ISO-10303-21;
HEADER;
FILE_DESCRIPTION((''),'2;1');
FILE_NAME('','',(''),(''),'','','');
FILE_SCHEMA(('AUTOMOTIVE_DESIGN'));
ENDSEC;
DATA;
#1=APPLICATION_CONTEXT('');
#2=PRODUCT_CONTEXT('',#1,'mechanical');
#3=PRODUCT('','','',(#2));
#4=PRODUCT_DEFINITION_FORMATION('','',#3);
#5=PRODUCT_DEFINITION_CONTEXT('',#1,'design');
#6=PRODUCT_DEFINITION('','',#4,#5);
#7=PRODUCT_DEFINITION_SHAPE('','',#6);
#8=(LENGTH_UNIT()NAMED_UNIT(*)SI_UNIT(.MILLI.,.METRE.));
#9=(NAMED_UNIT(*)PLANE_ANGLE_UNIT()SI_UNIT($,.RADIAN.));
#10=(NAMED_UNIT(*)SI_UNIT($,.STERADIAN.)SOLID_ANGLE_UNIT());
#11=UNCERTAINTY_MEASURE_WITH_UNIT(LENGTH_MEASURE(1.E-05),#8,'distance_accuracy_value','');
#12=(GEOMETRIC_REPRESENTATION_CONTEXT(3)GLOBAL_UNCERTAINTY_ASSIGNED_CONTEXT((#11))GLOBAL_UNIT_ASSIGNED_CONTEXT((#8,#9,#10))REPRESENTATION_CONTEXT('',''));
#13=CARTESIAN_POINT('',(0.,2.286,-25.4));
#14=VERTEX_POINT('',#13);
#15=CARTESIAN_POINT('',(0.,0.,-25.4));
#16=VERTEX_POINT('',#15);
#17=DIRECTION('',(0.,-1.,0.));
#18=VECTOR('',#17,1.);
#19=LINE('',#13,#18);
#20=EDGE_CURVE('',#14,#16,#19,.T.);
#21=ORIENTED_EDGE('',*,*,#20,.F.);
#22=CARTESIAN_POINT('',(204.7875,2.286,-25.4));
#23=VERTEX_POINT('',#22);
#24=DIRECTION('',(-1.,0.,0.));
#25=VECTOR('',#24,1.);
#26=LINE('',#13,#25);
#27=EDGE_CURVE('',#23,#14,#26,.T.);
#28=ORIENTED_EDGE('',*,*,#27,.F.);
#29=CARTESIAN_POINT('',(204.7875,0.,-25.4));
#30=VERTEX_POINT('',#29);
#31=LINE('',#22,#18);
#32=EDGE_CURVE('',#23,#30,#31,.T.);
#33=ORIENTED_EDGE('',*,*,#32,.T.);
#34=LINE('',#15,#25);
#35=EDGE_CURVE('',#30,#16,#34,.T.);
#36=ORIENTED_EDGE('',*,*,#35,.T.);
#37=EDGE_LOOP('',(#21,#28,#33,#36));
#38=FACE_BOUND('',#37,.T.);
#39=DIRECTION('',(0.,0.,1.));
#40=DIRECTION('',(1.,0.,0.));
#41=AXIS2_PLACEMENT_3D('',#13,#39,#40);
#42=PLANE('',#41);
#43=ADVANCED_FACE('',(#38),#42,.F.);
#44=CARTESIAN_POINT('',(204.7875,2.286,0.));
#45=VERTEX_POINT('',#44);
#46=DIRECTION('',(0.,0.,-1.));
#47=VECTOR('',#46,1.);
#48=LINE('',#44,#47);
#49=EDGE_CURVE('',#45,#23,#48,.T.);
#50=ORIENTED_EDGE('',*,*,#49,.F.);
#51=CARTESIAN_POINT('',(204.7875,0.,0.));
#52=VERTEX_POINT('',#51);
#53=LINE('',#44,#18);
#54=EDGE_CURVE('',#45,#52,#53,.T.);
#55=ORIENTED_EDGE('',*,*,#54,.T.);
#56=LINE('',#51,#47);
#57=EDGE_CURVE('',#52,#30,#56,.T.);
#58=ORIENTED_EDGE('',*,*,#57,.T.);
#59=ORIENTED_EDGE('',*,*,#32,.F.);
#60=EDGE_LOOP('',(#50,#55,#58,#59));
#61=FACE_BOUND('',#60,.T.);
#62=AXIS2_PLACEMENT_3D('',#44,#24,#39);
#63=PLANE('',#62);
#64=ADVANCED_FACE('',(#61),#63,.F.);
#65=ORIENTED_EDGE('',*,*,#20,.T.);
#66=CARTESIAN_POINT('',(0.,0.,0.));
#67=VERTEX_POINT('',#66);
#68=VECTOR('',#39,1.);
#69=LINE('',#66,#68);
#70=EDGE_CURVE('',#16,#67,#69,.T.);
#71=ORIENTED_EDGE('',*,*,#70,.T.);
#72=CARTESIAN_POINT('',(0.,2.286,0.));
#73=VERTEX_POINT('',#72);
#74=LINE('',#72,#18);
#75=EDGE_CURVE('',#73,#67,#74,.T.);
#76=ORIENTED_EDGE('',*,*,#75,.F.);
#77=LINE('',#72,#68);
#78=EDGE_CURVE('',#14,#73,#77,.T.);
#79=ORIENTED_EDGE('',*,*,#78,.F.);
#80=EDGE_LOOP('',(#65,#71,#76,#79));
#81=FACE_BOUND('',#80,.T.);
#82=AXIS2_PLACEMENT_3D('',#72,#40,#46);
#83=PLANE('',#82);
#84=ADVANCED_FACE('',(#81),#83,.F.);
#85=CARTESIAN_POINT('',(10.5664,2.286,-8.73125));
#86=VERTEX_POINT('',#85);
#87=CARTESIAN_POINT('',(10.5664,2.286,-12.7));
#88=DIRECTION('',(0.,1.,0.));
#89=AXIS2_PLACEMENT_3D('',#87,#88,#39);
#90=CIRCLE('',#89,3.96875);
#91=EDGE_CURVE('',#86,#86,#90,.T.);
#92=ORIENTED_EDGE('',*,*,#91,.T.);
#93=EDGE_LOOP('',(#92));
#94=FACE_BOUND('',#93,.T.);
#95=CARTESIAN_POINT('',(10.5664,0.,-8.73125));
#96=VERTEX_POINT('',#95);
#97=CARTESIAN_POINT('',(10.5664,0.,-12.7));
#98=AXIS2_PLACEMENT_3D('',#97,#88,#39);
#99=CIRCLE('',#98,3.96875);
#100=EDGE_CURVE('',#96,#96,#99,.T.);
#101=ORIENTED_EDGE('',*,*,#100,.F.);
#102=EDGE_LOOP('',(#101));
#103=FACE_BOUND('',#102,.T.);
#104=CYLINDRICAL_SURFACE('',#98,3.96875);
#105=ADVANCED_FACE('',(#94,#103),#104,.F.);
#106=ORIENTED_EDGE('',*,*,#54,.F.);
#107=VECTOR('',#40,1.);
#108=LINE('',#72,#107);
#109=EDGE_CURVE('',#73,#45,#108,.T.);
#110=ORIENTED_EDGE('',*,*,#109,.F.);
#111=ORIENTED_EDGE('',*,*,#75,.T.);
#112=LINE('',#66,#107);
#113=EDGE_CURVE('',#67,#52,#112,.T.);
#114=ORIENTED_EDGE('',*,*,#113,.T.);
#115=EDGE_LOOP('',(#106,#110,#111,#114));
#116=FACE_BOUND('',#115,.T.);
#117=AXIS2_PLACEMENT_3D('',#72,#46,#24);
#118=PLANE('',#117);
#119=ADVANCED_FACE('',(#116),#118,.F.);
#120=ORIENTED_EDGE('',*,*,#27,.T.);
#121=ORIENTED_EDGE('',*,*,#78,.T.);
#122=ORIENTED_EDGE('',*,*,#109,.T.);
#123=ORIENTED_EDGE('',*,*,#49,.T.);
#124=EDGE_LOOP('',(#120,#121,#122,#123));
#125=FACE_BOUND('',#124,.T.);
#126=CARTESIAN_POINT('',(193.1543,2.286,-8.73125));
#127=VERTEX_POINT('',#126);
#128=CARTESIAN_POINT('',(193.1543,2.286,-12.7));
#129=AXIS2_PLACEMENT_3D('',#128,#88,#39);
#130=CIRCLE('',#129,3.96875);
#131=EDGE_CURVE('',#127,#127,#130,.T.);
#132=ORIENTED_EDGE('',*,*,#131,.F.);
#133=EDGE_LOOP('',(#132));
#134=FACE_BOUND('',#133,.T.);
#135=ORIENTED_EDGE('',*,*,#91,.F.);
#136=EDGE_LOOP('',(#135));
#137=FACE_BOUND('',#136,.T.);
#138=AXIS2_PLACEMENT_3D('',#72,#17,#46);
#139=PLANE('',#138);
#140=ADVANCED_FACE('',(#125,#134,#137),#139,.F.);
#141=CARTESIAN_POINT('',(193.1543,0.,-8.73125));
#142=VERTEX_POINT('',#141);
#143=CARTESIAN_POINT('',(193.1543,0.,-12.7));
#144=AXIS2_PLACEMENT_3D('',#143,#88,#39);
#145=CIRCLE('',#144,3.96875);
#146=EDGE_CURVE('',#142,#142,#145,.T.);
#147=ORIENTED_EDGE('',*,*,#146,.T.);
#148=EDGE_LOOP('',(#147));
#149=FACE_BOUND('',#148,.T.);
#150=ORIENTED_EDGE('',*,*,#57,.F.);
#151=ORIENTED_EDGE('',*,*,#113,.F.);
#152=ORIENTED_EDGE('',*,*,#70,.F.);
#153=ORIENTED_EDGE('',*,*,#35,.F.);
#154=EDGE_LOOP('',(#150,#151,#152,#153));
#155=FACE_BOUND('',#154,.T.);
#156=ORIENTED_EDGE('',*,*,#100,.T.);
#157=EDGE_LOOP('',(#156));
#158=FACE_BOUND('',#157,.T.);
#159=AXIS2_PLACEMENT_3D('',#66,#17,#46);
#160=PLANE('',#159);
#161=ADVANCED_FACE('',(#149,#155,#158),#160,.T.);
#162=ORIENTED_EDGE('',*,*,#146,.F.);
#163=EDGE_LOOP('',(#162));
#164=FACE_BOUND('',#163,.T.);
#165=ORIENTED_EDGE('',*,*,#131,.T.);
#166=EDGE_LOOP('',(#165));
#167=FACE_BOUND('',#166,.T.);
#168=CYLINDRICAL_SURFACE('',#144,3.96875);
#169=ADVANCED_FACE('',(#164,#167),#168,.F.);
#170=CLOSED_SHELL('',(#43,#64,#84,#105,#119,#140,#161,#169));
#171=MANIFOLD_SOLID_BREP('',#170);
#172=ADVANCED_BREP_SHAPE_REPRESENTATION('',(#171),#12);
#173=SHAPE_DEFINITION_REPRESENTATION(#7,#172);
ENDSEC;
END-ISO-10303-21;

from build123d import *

# Parameters (mm, degrees)
SKETCH1_W           = 204.7875
SKETCH1_H           = 25.4
BOSS_EXTRUDE1_DEPTH = 2.286
SKETCH2_R           = 3.96875
CUT_EXTRUDE1_DEPTH  = 3.286


with BuildPart() as part:
    # Sketch1 → Boss-Extrude1 (new body)
    with BuildSketch(Plane(origin=(0, 0, 0), x_dir=(1, 0, 0), z_dir=(0, 1, 0))):
        with Locations((102.39375, 12.7)):
            Rectangle(SKETCH1_W, SKETCH1_H)
    extrude(amount=BOSS_EXTRUDE1_DEPTH)

    # Sketch2 → Cut-Extrude1 (cut, through all)
    with BuildSketch(Plane(origin=(0, 2.286, 0), x_dir=(1, 0, 0), z_dir=(0, 1, 0))):
        with Locations((10.5664, 12.7)):
            Circle(SKETCH2_R)
        with Locations((193.1543, 12.7)):
            Circle(SKETCH2_R)
    extrude(amount=-CUT_EXTRUDE1_DEPTH, mode=Mode.SUBTRACT)


solid = part.part
